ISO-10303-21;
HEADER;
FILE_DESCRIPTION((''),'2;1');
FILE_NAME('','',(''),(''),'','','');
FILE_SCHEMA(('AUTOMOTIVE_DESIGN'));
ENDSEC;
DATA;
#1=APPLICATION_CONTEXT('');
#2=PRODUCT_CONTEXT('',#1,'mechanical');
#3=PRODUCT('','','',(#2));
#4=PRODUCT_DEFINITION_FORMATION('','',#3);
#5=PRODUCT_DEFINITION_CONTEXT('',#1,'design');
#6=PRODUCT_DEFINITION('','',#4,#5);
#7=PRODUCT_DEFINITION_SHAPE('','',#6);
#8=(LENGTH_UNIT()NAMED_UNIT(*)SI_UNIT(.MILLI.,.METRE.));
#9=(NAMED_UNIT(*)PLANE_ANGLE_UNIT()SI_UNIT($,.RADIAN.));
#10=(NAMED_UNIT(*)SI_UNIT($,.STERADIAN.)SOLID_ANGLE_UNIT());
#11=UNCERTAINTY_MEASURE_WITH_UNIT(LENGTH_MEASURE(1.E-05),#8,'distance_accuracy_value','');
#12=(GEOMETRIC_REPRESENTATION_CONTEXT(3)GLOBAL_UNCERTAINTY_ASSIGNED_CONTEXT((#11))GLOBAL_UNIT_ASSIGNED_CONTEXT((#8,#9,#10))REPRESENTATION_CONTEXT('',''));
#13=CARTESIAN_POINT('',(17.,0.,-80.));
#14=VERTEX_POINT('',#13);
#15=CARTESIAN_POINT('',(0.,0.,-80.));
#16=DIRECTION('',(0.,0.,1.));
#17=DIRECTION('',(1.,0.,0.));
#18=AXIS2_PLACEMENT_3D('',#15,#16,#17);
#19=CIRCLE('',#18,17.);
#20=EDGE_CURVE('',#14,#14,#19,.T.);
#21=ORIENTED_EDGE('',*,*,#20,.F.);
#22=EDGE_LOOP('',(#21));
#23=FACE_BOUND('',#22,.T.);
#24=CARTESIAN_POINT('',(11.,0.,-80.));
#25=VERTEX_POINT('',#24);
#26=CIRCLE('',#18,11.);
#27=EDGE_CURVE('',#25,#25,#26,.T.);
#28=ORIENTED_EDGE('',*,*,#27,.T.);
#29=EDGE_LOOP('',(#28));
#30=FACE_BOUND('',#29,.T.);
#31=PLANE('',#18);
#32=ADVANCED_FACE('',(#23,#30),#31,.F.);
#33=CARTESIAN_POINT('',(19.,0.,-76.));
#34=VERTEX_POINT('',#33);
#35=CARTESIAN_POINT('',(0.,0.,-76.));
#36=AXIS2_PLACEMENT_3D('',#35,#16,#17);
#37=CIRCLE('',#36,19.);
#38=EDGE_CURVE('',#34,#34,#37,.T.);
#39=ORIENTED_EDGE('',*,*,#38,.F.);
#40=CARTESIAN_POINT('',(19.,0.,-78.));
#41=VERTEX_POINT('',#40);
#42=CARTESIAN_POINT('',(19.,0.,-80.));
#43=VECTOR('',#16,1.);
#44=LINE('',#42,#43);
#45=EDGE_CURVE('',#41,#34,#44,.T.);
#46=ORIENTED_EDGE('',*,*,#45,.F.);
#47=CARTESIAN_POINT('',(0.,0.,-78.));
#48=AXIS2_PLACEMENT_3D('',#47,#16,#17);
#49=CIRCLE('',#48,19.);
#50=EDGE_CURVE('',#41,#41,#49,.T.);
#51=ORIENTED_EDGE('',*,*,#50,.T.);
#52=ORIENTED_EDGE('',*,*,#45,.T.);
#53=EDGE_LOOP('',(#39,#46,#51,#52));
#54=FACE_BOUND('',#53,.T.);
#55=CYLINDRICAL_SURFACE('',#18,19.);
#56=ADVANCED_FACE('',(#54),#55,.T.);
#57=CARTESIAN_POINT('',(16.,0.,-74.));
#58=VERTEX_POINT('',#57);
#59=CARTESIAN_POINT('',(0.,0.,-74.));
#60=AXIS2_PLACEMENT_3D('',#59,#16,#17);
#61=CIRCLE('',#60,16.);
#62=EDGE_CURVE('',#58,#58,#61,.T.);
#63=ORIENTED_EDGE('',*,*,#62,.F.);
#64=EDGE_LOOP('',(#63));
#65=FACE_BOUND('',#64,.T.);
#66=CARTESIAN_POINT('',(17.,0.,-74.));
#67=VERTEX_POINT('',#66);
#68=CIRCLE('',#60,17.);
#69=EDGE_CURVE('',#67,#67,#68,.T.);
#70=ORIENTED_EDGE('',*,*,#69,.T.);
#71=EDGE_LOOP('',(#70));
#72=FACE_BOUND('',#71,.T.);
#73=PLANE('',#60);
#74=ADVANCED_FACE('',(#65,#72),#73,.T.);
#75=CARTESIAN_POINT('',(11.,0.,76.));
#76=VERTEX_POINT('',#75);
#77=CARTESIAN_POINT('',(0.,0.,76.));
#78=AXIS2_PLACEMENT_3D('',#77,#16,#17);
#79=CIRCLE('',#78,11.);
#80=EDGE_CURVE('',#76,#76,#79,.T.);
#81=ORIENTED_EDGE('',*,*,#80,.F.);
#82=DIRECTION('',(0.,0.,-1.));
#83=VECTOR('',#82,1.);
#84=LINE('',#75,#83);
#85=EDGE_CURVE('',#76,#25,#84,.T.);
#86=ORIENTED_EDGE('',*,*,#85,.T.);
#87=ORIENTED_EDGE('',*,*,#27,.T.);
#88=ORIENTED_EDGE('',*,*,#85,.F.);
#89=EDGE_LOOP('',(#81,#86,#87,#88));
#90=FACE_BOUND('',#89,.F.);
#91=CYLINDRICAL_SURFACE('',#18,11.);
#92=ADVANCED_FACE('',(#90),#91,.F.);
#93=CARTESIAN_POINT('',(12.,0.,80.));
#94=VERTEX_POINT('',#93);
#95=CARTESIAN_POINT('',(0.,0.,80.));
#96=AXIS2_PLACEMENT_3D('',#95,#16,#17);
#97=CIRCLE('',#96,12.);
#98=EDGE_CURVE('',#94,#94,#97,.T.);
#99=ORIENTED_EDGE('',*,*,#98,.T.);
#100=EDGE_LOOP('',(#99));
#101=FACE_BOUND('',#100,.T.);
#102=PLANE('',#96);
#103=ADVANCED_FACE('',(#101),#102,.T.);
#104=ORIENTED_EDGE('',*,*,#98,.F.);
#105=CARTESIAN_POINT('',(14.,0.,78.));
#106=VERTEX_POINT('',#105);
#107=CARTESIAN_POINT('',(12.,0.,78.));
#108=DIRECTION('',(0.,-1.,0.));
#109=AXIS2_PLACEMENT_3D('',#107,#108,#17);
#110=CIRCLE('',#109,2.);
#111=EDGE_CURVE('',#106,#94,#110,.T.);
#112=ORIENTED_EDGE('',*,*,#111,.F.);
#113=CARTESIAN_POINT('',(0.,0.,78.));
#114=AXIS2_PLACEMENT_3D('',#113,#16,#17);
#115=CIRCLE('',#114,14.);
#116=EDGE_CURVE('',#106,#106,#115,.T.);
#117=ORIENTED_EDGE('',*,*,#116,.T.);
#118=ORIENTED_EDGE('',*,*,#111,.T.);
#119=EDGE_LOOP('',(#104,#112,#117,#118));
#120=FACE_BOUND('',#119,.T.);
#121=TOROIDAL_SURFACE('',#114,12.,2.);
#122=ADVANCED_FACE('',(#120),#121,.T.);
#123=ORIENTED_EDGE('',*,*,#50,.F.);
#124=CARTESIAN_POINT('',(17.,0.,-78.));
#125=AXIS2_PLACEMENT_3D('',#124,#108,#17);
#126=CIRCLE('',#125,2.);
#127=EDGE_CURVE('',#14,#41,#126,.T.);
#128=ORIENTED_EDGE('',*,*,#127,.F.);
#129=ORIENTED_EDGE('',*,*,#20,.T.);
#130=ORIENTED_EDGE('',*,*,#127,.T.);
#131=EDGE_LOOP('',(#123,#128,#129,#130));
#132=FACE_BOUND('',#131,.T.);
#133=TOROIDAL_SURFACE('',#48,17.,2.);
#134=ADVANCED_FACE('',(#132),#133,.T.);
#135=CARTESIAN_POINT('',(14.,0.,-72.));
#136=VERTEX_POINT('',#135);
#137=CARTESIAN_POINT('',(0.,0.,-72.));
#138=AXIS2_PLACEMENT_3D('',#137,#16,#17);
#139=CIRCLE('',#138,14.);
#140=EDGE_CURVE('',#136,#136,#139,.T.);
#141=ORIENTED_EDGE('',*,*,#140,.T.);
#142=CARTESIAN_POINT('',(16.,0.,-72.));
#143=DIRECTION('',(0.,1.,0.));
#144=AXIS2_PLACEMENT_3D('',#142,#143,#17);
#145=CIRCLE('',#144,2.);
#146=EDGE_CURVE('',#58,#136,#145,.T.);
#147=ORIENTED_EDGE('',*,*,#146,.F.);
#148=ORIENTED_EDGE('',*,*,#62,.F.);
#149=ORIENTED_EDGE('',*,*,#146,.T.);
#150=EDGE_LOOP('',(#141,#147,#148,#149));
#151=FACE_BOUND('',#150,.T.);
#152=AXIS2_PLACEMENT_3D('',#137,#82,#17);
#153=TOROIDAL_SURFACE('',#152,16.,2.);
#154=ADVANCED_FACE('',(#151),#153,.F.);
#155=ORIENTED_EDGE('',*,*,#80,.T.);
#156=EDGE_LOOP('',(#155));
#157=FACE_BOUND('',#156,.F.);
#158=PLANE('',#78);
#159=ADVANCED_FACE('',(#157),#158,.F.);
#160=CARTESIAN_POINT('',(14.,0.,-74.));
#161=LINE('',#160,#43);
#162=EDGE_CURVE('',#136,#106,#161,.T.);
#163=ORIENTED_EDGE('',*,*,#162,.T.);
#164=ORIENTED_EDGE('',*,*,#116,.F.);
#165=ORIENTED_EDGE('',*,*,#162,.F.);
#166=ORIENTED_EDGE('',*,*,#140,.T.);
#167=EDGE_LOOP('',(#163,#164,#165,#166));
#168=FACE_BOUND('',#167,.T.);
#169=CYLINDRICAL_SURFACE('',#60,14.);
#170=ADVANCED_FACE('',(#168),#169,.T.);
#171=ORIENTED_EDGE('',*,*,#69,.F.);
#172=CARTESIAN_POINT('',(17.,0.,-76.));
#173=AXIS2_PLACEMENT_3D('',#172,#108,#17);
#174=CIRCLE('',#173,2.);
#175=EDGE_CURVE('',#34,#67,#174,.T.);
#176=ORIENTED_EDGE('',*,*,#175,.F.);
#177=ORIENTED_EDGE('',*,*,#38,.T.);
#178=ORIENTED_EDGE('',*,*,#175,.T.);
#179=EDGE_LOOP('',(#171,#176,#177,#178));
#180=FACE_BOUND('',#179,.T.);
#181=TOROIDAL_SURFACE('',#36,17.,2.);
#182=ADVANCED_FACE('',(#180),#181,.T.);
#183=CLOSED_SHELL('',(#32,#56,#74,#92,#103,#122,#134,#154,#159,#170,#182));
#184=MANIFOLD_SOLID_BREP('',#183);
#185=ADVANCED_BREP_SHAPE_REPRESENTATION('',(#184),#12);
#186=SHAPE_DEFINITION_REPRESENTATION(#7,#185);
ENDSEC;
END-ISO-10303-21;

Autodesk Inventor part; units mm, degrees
ref_plane "YZ Plane" through (0, 0, 0) normal (1, 0, 0) x (0, 1, 0)
ref_plane "XZ Plane" through (0, 0, 0) normal (0, 1, 0) x (-1, 0, 0)
ref_plane "XY Plane" through (0, 0, 0) normal (0, 0, 1) x (1, 0, 0)
sketch "Sketch1" plane through (0, 0, 0) normal (0, 1, 0) x (-1, 0, 0)
  line L0 (3.8, 0) -> (-22.8, 0) projected
  line L1 (0, -147.7698) -> (0, 222.7404) projected
  line L2 (-11, -80) -> (-19, -80)
  line L3 (-19, -80) -> (-19, -74)
  line L4 (-19, -74) -> (-14, -74)
  line L5 (-14, -74) -> (-14, 80)
  line L6 (-14, 80) -> (0, 80)
  line L7 (-11, -94.8398) -> (-11, 169.8104) construction
  line L8 (-11, -80) -> (-11, 76)
  line L9 (-11, 76) -> (0, 76)
  dimension "d0" = 38
  dimension "d1" = 28
  dimension "d3" = 22
  dimension "d4" = 160
  dimension "d5" = 6
  dimension "d7" = 4
revolve "Revolution1" add sketch "Sketch1" angle 360 about axis through (0, 0, -10) along (0, 0, 1) contours L8 L2 L3 L4 L5 L0 | L0 L5 L6 L1 L9 L8
fillet "Fillet1" radius 2 4 edges at (-19, 0, -74) (-14, 0, -74) (-14, 0, 80) (-19, 0, -80)
properties part number "Handle bars handles"
